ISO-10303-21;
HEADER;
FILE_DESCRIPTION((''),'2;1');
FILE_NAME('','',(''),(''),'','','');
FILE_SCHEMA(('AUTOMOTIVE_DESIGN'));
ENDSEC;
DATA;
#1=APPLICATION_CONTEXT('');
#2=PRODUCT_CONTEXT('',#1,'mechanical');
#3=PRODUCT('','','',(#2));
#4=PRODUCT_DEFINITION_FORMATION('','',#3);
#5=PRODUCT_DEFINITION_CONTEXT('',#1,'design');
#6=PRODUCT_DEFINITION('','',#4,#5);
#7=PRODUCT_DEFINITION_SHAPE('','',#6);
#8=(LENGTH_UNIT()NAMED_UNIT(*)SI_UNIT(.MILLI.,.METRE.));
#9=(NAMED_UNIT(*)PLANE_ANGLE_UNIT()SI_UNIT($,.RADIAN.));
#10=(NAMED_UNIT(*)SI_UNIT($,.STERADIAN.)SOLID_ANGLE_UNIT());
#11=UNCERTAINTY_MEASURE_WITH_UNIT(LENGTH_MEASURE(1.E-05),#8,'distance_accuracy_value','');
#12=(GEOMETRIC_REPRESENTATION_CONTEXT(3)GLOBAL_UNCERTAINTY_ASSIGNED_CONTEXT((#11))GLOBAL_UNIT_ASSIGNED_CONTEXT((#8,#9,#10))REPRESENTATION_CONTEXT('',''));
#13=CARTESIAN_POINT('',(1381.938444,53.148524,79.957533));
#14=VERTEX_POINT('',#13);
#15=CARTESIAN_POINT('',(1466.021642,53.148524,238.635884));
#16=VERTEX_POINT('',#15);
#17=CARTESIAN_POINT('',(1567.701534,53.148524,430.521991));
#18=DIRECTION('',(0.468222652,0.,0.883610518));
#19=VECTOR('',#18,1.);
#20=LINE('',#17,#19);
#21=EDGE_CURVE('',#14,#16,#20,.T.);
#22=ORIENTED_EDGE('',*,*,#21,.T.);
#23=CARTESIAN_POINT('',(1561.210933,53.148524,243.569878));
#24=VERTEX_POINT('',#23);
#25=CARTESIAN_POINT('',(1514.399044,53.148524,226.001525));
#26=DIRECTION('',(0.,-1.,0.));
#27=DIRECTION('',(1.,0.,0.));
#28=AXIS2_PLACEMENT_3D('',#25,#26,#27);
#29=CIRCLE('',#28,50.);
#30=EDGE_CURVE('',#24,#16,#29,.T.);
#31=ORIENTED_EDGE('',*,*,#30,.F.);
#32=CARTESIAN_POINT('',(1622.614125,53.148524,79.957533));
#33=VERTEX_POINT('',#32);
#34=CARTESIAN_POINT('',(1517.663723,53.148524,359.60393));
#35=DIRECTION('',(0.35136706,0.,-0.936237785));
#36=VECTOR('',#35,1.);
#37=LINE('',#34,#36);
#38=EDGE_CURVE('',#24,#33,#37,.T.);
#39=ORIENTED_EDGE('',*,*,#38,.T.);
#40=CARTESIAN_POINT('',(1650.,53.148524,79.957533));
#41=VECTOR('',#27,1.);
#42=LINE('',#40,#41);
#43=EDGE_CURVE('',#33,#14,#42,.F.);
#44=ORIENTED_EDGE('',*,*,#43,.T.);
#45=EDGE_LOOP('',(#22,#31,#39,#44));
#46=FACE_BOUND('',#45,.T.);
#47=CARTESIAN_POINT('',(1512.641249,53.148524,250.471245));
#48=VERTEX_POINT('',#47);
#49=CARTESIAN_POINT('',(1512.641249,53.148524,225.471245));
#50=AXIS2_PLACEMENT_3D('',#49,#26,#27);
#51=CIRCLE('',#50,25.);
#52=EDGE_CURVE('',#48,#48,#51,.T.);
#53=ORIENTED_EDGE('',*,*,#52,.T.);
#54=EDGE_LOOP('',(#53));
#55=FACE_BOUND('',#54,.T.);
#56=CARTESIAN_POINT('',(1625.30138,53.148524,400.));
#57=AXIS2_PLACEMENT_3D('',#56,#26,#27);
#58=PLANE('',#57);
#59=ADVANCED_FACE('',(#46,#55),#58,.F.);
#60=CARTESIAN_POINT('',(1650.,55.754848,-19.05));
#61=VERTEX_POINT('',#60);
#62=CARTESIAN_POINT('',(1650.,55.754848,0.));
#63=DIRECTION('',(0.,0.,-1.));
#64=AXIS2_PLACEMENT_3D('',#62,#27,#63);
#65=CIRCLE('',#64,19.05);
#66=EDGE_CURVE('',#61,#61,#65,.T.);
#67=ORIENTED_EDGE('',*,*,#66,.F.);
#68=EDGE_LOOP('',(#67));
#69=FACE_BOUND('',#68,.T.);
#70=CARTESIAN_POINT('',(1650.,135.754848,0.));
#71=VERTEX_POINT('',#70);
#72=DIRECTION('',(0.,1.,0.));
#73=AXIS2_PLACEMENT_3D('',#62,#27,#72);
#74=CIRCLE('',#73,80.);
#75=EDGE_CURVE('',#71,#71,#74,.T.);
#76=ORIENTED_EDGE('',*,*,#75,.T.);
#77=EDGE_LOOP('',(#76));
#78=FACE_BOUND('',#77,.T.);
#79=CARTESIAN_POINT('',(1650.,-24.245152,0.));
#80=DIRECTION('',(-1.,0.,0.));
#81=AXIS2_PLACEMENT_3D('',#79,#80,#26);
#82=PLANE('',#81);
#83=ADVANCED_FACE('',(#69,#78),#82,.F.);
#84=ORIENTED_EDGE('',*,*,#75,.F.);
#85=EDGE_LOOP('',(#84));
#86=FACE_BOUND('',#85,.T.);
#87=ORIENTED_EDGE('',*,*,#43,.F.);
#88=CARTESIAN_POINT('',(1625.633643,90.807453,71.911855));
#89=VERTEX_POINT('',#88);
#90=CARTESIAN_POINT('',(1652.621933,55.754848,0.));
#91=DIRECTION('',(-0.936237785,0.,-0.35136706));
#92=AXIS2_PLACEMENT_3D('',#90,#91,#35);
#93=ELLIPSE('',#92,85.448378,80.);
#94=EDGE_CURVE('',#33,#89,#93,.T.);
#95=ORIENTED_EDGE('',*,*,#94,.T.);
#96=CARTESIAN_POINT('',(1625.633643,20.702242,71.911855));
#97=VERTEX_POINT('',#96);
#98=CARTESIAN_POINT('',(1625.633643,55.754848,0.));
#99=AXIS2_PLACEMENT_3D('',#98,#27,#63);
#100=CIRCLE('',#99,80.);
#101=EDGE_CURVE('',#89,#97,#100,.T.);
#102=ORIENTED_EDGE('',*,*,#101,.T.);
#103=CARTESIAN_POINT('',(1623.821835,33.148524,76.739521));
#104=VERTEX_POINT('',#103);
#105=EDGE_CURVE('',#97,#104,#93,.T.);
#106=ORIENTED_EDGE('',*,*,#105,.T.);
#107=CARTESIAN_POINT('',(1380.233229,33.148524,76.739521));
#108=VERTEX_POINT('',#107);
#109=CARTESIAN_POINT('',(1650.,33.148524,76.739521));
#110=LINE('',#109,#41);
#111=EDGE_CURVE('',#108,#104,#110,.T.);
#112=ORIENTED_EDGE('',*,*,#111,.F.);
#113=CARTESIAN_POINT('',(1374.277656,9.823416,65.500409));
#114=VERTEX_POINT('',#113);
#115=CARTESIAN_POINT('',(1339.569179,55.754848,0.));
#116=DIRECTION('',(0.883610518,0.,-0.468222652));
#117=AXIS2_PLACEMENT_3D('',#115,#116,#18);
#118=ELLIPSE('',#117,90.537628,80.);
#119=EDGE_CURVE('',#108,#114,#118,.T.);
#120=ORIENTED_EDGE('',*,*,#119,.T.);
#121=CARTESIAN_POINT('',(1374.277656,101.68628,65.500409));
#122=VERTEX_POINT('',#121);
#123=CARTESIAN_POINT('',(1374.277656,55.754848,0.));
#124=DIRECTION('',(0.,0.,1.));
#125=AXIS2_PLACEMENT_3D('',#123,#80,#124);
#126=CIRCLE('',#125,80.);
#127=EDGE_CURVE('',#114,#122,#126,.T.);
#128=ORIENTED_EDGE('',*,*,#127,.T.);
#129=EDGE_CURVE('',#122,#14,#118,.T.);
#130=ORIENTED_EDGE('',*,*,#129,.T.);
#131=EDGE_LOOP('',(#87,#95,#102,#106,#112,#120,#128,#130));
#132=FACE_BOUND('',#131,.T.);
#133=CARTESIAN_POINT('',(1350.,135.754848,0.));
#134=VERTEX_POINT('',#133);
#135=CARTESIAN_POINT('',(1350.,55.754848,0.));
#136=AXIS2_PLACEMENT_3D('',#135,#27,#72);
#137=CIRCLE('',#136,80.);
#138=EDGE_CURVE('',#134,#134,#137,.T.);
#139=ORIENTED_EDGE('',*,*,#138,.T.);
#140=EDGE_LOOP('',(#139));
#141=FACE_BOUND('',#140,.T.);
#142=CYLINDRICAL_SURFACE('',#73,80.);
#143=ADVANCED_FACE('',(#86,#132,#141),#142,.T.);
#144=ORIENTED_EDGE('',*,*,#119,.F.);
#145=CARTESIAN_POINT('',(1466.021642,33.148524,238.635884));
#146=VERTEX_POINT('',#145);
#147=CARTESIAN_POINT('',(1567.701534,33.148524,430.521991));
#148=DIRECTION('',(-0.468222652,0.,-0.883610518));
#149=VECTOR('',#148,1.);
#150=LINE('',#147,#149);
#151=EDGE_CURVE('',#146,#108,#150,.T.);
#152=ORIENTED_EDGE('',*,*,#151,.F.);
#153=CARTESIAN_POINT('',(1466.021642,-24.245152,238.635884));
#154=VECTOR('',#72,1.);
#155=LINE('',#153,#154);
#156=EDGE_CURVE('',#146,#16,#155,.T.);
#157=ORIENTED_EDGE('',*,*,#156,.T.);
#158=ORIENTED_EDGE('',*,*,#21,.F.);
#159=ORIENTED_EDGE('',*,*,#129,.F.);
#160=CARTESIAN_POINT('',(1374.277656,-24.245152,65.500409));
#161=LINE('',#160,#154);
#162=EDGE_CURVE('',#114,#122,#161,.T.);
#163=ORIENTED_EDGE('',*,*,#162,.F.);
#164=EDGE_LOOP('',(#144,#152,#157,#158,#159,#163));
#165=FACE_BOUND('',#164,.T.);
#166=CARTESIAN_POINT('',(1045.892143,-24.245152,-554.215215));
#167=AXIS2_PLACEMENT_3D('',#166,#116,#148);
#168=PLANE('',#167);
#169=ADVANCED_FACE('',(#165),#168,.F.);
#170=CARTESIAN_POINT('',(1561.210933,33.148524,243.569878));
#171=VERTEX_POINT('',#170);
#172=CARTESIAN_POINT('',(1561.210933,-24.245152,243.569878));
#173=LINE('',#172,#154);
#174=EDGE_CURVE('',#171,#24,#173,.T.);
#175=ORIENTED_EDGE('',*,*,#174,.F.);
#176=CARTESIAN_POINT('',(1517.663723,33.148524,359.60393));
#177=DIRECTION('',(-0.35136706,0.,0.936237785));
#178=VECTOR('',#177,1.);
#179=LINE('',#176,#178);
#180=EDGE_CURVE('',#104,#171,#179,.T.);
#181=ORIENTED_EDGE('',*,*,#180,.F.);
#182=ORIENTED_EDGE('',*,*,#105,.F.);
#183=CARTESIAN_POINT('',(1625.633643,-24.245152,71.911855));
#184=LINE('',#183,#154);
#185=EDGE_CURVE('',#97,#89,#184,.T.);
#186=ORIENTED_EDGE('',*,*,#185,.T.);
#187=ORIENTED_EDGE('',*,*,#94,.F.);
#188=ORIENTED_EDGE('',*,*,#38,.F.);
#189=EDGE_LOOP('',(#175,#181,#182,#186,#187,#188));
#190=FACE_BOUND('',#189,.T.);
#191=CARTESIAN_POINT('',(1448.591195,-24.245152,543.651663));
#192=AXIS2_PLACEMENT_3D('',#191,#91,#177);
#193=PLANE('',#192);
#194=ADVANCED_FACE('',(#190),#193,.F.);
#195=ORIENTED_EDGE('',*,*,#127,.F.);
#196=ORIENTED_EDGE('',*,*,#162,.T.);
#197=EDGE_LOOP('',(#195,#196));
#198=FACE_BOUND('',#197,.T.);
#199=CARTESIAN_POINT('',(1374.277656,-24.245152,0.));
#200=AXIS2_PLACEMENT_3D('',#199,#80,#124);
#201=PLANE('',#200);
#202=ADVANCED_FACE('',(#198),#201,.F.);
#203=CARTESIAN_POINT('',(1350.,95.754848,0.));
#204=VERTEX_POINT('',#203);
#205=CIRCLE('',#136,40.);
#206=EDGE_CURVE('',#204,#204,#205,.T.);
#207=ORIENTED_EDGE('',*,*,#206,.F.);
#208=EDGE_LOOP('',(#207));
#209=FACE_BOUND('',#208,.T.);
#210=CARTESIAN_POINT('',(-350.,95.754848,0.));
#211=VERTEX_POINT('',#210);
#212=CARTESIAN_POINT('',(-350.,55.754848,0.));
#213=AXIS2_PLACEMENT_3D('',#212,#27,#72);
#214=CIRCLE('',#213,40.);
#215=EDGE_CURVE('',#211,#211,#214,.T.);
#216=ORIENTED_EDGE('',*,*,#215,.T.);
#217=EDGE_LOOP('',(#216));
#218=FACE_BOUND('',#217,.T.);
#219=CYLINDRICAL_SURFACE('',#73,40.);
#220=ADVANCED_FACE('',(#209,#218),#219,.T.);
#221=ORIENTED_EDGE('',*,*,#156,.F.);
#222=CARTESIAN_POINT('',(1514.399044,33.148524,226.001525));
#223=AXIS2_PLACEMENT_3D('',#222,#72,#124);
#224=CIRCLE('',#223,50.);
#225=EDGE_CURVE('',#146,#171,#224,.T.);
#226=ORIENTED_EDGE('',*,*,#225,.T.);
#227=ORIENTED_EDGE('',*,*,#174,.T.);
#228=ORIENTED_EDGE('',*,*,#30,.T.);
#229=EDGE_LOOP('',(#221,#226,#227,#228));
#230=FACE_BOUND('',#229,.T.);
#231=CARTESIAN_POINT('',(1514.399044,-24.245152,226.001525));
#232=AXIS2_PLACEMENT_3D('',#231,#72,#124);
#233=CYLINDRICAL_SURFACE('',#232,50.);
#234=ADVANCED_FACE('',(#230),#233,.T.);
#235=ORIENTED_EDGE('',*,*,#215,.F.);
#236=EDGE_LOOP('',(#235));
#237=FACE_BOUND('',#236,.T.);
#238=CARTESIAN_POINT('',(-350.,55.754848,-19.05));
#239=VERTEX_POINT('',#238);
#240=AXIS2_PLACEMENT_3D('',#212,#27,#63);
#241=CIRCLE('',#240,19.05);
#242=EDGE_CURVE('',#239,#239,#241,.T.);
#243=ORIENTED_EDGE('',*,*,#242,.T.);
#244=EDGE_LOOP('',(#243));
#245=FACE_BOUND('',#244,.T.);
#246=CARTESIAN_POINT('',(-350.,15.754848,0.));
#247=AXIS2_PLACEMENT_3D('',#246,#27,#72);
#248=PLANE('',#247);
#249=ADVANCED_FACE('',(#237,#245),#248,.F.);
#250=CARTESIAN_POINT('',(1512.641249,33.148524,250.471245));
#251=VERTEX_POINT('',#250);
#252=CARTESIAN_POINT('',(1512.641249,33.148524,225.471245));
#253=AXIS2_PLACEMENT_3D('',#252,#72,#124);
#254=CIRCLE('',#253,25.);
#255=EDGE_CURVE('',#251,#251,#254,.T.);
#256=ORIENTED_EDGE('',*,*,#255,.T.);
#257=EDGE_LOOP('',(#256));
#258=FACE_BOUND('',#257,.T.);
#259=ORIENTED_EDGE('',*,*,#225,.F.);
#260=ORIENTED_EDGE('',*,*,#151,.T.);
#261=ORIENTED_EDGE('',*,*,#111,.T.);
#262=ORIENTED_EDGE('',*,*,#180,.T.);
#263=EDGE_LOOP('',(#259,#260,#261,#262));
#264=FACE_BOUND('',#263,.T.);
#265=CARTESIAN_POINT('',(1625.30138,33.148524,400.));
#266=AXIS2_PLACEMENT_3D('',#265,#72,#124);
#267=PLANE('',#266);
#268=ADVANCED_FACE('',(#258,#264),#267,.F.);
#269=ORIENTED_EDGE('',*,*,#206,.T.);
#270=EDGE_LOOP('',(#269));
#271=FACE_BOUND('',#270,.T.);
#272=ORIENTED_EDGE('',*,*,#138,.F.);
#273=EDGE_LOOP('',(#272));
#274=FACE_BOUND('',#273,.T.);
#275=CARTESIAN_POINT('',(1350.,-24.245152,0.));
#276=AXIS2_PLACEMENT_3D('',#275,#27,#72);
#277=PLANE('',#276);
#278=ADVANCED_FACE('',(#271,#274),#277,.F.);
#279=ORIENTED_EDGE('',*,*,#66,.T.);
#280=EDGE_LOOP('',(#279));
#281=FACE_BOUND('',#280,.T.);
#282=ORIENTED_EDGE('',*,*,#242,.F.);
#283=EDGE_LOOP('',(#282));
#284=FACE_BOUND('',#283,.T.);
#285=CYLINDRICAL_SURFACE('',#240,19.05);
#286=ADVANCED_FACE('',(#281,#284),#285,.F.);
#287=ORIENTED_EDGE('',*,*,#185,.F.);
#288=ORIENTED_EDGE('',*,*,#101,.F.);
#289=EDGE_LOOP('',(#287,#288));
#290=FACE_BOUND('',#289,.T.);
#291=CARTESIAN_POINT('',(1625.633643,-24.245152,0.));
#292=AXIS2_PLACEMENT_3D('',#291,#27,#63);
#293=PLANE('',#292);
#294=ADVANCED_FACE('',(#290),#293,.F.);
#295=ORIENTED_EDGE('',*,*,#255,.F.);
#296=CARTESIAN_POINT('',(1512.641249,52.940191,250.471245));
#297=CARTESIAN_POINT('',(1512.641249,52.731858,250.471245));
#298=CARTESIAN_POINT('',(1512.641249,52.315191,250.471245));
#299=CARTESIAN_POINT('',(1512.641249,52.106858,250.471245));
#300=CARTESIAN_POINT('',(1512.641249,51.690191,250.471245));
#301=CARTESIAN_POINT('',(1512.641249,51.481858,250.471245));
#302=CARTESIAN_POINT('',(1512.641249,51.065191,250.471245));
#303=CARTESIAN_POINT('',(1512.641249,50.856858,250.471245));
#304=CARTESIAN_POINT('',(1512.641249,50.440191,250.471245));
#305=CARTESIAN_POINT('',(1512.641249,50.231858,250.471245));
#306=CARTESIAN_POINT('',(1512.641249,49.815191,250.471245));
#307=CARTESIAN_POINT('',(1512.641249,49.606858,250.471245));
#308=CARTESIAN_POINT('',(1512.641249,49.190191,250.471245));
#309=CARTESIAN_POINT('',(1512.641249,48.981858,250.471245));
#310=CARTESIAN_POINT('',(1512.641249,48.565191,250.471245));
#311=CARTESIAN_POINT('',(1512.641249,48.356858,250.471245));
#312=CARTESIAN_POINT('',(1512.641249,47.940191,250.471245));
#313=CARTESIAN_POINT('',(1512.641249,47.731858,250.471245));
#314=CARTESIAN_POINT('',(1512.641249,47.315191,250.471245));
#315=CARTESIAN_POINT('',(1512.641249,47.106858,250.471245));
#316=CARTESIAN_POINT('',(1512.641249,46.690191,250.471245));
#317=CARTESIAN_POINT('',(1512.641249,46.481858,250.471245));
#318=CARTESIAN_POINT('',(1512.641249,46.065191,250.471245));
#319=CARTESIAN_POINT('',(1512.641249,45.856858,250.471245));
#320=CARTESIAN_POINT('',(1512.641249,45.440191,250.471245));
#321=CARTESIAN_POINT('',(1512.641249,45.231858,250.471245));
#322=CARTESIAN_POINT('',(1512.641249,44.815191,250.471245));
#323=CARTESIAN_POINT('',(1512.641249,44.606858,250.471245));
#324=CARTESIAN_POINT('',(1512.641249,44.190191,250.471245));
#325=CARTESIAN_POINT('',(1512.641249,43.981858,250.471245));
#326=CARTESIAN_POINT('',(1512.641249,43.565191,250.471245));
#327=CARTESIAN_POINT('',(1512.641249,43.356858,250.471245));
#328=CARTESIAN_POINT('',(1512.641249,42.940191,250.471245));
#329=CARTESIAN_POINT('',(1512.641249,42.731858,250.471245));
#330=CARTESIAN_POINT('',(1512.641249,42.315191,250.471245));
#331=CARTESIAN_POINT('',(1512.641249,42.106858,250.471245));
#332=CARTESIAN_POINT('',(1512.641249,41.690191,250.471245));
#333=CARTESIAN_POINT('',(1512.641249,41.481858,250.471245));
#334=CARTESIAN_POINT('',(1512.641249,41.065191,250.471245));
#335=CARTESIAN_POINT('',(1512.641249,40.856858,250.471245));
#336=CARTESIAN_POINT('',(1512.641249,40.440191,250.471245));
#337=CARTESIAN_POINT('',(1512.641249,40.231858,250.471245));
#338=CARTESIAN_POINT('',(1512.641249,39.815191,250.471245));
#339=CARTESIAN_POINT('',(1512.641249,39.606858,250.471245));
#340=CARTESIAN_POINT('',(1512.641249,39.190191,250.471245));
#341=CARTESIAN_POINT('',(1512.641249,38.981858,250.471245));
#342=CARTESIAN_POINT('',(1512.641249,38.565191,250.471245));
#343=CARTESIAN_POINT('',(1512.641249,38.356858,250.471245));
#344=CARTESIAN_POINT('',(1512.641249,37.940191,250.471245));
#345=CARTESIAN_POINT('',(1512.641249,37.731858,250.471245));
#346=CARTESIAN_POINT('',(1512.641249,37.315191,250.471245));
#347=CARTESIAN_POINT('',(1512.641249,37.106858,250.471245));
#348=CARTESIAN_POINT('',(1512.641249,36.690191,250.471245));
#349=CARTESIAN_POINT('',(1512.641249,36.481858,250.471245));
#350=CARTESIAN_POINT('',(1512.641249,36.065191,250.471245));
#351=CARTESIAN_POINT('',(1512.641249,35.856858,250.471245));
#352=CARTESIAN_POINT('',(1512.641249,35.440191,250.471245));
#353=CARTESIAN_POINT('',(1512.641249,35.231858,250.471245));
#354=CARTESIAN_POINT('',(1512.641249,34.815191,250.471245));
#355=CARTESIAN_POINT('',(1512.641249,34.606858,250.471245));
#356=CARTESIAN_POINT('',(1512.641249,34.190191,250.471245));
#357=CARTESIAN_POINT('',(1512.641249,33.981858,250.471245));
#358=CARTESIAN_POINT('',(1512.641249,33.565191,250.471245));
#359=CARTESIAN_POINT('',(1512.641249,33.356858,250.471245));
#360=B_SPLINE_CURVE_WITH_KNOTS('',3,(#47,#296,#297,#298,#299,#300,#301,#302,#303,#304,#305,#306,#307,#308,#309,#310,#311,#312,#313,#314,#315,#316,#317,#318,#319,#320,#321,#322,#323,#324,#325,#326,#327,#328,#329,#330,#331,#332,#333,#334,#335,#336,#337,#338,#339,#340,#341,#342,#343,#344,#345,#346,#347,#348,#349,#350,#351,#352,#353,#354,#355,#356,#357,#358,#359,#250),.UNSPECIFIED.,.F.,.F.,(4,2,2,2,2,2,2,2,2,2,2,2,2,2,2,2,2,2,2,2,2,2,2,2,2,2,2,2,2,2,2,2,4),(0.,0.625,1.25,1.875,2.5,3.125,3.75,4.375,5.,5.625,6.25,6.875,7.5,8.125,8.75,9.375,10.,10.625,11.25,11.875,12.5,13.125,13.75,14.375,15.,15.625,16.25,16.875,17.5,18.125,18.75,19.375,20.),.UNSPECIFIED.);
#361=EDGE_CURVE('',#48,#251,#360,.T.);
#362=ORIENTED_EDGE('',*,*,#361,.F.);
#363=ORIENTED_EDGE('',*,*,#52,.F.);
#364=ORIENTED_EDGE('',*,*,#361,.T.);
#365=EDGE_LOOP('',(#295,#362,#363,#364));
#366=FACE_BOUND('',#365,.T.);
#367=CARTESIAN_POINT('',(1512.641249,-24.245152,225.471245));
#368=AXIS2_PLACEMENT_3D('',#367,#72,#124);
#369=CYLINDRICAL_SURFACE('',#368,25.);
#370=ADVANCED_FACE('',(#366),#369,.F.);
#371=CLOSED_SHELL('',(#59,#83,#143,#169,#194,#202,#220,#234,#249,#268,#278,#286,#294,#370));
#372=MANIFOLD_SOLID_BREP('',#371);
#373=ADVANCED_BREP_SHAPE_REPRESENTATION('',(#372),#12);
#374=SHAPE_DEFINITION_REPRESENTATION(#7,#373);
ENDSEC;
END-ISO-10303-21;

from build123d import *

# Parameters (mm, degrees)
SKETCH8_W               = 245.440082446
SKETCH8_H               = 20
BOSS_EXTRUDE1_DEPTH     = 400
CUT_EXTRUDE8_DEPTH      = 1704.211489704
CUT_EXTRUDE8_DEPTH_BACK = 1704.211489704
SKETCH9_R               = 25
CUT_EXTRUDE9_DEPTH      = 1679.423730942
CUT_EXTRUDE9_DEPTH_BACK = 1679.423730942
SKETCH10_R              = 19.05


with BuildPart() as part:
    # Sketch2 → Revolve1 (revolve)
    with BuildSketch(Plane.XY, mode=Mode.PRIVATE) as revolve1_sk:
        Polygon((1650, -24.245152355), (1350, -24.245152355), (1350, 15.754847645), (-350, 15.754847645), (-350, 55.754847645), (1650, 55.754847645), align=None)
    revolve(revolve1_sk.sketch.rotate(Axis((1650, 55.754847645, 0), (-1, 0, 0)), 180), axis=Axis((1650, 55.754847645, 0), (-1, 0, 0)))

    # Sketch8 → Boss-Extrude1 (add)
    with BuildSketch(Plane.XY):
        with Locations((1502.581339025, 43.148524262)):
            Rectangle(SKETCH8_W, SKETCH8_H)
    extrude(amount=BOSS_EXTRUDE1_DEPTH)

    # Sketch9 → Cut-Extrude8 (cut, two sides: drawn at the far end of the back side and taken through both)
    with BuildSketch(Plane(origin=(0, 0, 0), x_dir=(1, 0, 0), z_dir=(0, 1, 0)).offset(-CUT_EXTRUDE8_DEPTH_BACK)):
        with BuildLine():
            ThreePointArc((1561.210933041, -243.569878217), (1523.352220911, -275.193400776), (1476.779097647, -258.936911225))
            ThreePointArc((1476.779097647, -258.936911225), (1470.218517898, -249.41265784), (1466.021642395, -238.635884427))
            Line((1466.021642395, -238.635884427), (1374.277655751, -65.500408808))
            Line((1374.277655751, -65.500408808), (1374.277655751, -447.060346657))
            Line((1374.277655751, -447.060346657), (1625.633642708, -447.060346657))
            Line((1625.633642708, -447.060346657), (1625.633642708, -71.911854778))
            Line((1625.633642708, -71.911854778), (1561.210933041, -243.569878217))
        make_face()
        with Locations(Location((1512.641248766, -225.471244951, 0), (0, 0, 270))):
            Circle(SKETCH9_R)
    extrude(amount=CUT_EXTRUDE8_DEPTH + CUT_EXTRUDE8_DEPTH_BACK, mode=Mode.SUBTRACT)

    # Sketch10 → Cut-Extrude9 (cut, two sides: drawn at the far end of the back side and taken through both)
    with BuildSketch(Plane(origin=(0, 0, 0), x_dir=(0, 0, -1), z_dir=(1, 0, 0)).offset(-CUT_EXTRUDE9_DEPTH_BACK)):
        with Locations((0, 55.754847645)):
            Circle(SKETCH10_R)
    extrude(amount=CUT_EXTRUDE9_DEPTH + CUT_EXTRUDE9_DEPTH_BACK, mode=Mode.SUBTRACT)


solid = part.part
